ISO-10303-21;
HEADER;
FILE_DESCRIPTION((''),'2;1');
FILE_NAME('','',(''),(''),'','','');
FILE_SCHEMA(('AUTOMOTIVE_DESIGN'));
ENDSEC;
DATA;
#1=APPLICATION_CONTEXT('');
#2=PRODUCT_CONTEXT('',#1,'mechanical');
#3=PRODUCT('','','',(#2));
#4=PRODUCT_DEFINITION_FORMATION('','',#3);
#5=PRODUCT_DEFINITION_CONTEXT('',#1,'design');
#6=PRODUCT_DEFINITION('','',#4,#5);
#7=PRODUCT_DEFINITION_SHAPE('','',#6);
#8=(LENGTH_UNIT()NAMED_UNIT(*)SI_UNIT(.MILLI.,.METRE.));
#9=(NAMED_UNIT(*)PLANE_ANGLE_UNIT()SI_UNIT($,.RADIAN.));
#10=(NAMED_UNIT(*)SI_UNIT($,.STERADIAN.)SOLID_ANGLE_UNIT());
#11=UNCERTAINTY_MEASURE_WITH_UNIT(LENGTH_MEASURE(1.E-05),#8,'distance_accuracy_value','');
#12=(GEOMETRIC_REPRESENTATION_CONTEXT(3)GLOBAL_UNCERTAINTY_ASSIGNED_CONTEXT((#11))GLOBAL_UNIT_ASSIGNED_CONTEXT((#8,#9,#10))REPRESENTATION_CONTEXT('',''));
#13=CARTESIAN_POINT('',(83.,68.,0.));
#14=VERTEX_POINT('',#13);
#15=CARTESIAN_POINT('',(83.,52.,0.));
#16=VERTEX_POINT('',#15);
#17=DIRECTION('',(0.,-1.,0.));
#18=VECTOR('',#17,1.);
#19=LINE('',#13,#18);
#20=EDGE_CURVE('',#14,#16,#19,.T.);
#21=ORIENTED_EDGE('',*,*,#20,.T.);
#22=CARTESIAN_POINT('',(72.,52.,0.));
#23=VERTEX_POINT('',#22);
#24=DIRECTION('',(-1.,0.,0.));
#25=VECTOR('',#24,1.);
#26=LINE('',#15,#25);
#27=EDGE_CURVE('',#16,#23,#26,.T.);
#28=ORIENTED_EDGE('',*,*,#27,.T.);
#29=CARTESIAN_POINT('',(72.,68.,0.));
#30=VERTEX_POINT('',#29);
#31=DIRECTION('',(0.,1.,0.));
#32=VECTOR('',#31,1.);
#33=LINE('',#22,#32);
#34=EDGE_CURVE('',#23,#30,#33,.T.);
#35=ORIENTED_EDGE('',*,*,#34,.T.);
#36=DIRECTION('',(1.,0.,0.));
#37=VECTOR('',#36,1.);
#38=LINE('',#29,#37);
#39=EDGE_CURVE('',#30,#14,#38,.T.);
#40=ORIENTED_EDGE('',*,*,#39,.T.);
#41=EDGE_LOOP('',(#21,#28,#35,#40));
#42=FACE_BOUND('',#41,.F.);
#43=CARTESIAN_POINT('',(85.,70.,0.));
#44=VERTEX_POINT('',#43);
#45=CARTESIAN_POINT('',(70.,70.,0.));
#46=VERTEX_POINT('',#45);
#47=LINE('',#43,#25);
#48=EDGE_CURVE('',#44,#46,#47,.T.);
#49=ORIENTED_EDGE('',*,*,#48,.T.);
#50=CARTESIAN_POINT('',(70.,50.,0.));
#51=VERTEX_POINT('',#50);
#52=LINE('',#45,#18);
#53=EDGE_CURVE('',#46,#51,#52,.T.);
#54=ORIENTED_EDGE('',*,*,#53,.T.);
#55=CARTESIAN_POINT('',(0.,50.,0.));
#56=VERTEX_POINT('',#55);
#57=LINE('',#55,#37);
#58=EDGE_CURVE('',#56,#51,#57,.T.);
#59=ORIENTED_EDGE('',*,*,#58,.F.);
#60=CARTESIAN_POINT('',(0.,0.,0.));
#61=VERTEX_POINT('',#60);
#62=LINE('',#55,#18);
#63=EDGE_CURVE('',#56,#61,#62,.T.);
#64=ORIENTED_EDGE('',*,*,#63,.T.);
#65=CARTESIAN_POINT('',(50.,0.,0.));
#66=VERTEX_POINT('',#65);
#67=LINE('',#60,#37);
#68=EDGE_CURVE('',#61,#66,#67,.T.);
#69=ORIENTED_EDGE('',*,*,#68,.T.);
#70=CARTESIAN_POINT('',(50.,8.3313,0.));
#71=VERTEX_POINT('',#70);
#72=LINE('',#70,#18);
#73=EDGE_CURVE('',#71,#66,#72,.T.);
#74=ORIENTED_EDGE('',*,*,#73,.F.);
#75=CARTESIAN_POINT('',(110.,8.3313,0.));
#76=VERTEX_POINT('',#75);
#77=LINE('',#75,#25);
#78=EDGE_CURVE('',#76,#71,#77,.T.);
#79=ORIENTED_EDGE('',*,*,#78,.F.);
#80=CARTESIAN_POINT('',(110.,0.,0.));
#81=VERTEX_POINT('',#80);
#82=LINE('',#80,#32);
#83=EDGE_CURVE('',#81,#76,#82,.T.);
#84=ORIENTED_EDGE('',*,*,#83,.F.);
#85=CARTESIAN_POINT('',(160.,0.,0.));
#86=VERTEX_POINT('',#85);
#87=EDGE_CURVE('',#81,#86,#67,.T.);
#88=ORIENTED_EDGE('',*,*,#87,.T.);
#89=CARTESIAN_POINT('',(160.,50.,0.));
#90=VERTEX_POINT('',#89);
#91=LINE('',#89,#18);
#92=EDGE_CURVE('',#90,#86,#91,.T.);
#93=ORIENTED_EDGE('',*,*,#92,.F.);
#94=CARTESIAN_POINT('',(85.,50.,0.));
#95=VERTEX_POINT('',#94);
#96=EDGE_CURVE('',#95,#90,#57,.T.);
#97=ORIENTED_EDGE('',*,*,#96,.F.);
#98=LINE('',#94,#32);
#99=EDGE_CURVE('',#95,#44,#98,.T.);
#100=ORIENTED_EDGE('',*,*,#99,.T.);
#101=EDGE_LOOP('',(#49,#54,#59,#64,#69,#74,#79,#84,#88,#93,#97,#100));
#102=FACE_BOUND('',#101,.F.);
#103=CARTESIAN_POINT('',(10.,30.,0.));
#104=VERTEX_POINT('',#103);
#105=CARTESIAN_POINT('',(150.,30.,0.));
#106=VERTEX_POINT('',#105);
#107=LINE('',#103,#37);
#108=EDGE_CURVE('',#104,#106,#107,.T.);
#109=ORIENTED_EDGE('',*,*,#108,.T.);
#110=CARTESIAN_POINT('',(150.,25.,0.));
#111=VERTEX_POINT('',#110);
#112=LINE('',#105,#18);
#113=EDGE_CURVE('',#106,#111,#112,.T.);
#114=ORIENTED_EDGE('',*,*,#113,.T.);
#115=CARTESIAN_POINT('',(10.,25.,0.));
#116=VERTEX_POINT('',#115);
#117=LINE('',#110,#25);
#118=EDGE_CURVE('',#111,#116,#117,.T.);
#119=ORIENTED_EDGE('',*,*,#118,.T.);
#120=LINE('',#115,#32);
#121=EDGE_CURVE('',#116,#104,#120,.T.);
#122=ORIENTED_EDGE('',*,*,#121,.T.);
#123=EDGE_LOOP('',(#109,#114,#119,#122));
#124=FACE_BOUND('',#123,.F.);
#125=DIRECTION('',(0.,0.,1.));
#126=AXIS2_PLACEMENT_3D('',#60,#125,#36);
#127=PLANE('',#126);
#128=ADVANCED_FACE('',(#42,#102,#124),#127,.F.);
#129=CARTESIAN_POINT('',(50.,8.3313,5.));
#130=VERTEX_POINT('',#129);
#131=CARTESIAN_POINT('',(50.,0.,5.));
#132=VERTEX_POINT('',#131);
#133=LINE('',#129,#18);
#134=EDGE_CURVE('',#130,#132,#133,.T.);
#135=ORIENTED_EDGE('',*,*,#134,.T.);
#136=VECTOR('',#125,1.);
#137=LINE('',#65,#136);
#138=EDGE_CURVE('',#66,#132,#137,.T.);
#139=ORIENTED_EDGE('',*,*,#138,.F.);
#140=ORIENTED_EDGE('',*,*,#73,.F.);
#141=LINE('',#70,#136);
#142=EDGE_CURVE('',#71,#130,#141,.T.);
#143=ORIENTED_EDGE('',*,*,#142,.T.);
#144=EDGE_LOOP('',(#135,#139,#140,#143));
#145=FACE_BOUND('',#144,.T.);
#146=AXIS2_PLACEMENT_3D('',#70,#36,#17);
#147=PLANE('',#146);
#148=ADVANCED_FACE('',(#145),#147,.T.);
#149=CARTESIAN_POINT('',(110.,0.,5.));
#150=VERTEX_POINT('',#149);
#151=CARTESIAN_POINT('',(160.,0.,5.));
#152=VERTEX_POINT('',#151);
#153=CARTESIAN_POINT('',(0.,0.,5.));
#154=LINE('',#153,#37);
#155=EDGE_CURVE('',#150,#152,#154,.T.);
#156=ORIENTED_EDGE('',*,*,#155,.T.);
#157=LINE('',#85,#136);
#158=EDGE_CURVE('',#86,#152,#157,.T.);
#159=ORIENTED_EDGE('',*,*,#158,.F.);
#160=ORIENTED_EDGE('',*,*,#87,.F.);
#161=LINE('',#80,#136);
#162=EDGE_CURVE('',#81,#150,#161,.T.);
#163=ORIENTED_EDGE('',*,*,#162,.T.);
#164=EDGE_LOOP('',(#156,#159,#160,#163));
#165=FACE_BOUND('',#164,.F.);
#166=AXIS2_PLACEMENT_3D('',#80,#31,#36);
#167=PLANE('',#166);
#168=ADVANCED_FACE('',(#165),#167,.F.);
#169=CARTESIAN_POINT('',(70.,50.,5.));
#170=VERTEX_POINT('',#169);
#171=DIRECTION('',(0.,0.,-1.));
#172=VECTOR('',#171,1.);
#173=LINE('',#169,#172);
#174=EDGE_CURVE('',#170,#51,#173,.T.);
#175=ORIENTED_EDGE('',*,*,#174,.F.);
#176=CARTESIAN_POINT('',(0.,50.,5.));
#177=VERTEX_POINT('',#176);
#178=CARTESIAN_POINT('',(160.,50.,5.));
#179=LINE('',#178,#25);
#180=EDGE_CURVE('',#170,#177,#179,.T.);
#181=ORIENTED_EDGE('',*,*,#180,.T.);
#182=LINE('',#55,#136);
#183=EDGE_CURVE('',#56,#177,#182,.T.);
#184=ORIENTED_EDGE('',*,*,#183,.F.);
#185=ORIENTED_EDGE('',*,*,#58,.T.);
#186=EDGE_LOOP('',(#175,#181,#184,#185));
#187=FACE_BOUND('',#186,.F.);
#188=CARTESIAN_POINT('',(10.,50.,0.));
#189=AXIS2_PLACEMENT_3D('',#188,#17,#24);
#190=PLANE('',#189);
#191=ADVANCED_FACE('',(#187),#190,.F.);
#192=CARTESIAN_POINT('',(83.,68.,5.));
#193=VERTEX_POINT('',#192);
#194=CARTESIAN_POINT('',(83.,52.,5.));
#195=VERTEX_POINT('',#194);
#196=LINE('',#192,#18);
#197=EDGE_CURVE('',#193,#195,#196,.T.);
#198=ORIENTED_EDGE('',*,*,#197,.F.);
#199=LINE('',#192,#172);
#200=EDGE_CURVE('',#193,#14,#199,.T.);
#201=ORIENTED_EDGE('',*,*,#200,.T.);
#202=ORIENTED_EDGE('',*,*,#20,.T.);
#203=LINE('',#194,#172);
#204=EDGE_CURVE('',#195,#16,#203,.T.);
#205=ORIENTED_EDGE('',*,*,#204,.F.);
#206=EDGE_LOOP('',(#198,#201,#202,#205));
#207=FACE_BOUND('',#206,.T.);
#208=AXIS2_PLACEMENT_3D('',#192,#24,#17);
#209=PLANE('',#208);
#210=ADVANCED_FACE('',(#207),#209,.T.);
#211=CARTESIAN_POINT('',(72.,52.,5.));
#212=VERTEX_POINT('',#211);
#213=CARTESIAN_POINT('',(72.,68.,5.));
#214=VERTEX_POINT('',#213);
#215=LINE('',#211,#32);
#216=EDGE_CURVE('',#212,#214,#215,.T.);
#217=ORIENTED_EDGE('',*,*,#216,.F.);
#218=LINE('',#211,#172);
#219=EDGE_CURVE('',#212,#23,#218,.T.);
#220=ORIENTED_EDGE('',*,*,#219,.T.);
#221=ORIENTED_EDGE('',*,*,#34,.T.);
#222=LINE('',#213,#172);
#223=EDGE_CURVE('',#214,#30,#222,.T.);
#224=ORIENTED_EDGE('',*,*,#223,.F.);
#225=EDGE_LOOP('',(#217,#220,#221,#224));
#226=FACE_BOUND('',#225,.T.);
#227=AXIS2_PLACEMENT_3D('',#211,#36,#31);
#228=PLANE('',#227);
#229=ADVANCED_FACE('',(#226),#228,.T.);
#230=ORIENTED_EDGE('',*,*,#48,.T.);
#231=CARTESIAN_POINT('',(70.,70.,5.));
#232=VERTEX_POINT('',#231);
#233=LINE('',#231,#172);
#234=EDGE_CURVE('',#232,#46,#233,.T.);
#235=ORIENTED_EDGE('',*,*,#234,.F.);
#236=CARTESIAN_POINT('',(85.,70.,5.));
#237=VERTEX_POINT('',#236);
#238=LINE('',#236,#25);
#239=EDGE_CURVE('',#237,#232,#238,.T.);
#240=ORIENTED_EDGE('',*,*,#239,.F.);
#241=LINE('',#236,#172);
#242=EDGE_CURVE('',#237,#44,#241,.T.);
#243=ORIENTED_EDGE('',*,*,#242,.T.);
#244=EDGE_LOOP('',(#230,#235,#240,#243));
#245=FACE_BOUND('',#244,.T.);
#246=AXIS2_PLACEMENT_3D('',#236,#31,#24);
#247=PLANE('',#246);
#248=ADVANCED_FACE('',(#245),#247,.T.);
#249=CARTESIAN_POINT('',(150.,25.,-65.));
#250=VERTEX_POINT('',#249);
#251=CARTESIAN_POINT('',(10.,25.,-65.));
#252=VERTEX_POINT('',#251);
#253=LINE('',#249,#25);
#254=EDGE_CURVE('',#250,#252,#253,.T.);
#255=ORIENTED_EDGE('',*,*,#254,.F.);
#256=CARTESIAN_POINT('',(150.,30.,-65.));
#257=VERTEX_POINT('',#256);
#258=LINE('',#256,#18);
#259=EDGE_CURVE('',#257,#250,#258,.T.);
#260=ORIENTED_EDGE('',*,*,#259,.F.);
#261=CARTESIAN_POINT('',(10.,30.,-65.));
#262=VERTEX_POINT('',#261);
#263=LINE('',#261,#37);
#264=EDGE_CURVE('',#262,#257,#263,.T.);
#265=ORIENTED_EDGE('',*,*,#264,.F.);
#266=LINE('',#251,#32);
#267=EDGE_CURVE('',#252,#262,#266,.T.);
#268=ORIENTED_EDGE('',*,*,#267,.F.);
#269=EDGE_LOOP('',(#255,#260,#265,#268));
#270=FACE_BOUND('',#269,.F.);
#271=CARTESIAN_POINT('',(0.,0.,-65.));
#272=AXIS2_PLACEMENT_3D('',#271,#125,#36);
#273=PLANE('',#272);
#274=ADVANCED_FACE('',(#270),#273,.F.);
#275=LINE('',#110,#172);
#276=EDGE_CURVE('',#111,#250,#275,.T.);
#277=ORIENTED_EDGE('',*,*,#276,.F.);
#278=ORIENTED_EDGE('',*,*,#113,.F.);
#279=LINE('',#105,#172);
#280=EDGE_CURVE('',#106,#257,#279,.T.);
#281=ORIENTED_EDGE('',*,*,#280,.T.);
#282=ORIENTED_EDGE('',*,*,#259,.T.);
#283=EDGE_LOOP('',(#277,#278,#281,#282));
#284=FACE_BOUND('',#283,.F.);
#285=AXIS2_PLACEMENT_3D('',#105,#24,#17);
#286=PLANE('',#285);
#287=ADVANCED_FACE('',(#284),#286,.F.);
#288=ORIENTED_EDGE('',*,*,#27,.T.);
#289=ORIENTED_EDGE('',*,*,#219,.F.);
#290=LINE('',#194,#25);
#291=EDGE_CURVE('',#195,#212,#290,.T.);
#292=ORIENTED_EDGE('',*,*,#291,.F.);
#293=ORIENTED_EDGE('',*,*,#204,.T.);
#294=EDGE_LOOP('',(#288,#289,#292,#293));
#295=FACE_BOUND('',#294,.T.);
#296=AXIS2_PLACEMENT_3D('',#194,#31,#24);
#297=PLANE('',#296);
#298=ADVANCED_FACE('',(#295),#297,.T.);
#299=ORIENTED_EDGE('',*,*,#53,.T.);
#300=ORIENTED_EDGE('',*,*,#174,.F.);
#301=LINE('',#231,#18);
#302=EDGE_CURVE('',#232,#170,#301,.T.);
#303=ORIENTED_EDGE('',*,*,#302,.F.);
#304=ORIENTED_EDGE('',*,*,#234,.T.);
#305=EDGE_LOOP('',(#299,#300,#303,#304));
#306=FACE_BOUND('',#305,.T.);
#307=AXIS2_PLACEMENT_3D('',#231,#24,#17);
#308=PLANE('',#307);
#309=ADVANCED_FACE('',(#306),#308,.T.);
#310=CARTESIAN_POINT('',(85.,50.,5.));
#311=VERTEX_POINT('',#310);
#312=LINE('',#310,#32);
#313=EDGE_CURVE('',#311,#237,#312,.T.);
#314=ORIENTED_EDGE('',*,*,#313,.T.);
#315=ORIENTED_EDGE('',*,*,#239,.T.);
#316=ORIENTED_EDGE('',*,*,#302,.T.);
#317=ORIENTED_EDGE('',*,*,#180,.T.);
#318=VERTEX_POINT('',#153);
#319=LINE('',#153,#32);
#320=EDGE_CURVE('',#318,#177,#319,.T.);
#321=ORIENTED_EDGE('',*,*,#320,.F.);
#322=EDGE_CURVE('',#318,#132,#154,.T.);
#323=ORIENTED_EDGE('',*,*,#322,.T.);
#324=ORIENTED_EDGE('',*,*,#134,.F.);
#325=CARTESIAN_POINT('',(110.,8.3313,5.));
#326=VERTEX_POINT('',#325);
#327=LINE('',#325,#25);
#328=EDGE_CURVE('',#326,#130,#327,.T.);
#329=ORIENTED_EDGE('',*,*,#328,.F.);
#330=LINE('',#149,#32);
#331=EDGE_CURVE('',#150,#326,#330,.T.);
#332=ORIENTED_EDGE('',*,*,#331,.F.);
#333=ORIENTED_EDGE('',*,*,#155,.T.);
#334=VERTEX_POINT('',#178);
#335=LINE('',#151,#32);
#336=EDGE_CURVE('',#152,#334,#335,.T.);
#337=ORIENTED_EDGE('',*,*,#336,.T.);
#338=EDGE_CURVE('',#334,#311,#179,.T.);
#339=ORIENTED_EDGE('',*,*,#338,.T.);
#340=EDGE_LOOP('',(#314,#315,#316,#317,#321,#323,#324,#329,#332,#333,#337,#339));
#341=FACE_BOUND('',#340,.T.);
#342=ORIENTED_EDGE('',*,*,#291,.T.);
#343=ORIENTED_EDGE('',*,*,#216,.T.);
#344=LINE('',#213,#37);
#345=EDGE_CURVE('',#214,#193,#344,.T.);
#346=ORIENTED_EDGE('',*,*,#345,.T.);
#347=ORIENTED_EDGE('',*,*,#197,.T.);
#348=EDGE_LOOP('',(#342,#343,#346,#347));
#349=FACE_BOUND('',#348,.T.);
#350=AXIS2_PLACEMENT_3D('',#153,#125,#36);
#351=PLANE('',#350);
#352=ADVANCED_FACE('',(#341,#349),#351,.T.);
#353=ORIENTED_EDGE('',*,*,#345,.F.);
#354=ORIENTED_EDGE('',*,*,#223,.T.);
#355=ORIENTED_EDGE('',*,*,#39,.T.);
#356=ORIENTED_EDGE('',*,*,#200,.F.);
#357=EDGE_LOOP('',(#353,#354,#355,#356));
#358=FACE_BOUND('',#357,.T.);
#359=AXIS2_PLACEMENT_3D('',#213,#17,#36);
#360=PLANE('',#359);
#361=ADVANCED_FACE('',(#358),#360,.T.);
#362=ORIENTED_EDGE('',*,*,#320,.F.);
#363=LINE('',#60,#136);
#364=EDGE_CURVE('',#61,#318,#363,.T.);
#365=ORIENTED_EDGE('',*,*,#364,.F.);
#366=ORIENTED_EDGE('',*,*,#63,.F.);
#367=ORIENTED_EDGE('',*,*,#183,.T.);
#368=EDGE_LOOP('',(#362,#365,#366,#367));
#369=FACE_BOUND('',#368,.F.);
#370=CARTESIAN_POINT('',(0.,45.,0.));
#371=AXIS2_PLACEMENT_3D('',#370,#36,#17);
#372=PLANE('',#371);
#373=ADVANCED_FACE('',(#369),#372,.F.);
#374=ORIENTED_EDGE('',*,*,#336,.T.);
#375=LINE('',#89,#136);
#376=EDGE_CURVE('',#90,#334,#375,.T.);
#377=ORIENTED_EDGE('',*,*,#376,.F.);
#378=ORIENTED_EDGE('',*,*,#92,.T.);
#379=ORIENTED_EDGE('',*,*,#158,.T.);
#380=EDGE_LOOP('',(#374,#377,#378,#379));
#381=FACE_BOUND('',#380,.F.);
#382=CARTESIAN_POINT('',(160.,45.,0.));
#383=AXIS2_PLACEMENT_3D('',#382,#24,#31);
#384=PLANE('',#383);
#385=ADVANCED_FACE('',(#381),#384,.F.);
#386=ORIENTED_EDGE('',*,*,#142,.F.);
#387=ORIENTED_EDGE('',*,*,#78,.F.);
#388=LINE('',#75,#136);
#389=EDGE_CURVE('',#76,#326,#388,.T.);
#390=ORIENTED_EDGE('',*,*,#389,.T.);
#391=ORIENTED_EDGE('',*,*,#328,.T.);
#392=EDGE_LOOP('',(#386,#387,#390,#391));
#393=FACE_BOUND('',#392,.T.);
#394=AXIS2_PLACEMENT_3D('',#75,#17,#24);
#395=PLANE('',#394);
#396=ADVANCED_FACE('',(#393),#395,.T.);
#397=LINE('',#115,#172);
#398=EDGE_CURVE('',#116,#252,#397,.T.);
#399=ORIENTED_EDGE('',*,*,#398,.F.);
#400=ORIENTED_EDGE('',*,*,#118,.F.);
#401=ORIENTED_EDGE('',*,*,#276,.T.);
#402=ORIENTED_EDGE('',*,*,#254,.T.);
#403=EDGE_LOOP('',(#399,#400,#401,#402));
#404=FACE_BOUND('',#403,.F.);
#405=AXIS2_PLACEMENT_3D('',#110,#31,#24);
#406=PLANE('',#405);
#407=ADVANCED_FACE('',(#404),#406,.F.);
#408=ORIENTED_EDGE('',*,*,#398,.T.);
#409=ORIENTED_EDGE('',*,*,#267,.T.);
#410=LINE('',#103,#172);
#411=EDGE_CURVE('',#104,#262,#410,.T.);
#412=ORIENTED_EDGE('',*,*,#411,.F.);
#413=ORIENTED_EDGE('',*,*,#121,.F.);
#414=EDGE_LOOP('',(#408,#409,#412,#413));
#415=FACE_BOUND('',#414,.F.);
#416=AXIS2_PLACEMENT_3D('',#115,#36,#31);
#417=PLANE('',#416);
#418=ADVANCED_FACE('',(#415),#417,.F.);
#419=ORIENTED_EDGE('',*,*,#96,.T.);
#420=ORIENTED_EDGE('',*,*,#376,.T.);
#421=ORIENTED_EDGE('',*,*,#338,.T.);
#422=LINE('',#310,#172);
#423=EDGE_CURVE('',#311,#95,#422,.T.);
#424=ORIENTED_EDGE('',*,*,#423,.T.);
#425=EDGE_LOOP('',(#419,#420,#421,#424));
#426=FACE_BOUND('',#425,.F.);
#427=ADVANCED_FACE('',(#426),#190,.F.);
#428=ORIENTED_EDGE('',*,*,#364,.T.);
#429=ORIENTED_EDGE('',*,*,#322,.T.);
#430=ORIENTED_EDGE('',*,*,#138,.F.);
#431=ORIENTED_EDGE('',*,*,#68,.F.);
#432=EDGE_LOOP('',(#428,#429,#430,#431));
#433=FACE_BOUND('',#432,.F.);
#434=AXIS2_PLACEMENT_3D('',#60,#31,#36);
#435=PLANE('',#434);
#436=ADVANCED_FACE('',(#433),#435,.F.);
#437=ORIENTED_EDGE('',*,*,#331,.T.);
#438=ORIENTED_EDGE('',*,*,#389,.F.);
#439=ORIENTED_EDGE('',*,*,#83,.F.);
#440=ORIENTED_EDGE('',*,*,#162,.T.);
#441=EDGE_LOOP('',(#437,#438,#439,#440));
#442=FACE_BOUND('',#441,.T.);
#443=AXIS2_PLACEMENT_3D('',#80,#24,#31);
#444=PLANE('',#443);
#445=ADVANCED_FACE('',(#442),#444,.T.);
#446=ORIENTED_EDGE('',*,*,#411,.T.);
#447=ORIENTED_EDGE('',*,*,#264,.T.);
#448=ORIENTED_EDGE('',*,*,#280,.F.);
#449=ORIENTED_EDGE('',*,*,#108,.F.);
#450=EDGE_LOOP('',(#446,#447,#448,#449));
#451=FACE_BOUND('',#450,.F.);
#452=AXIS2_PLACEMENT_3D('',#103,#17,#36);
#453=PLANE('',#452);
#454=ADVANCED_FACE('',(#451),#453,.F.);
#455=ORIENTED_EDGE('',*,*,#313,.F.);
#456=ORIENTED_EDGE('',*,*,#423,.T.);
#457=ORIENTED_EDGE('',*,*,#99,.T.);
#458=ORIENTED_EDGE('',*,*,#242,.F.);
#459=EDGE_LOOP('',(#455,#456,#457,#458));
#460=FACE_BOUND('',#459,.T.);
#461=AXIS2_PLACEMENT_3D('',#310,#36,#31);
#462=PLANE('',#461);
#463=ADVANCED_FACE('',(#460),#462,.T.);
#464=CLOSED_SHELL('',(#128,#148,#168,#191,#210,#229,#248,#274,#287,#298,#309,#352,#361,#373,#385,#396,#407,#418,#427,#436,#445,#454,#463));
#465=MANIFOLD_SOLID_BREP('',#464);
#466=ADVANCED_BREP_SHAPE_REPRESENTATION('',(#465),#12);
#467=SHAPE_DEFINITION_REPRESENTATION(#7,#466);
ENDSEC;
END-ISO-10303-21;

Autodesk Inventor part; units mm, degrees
ref_plane "YZ Plane" through (0, 0, 0) normal (1, 0, 0) x (0, 1, 0)
ref_plane "XZ Plane" through (0, 0, 0) normal (0, 1, 0) x (-1, 0, 0)
ref_plane "XY Plane" through (0, 0, 0) normal (0, 0, 1) x (1, 0, 0)
sketch "Sketch1" plane through (0, 0, 0) normal (0, 0, 1) x (1, 0, 0)
  line L0 (0, 0) -> (160, 0)
  line L1 (160, 0) -> (160, 50)
  line L2 (160, 50) -> (0, 50)
  line L3 (0, 50) -> (0, 0)
  line L4 (50, 0) -> (110, 0)
  line L5 (110, 0) -> (110, 8.3313)
  line L6 (110, 8.3313) -> (50, 8.3313)
  line L7 (50, 8.3313) -> (50, 0)
  line L8 (0, 50) -> (160, 50)
  line L9 (160, 50) -> (160, 45)
  line L10 (0, 45) -> (0, 50)
  line L11 (150, 50) -> (10, 50)
  line L12 (10, 30) -> (150, 30)
  line L13 (150, 30) -> (150, 25)
  line L14 (150, 25) -> (10, 25)
  line L15 (10, 25) -> (10, 30)
  dimension "d0" = 160
  dimension "d1" = 50
  dimension "d2" = 60
  dimension "d3" = 50
  dimension "d11" = 140
  dimension "d12" = 10
  dimension "d13" = 20
  dimension "d14" = 5
extrude "Extrusion1" add sketch "Sketch1" along normal blind 5 contours L3 L2 L1 L0 L5 L6 L7 | L12 L13 L14 L15
extrude "Extrusion2" add sketch "Sketch1" against normal blind 65 contours L12 L13 L14 L15
sketch "Sketch2" plane through (0, 0, 5) normal (0, 0, 1) x (1, 0, 0)
  line L0 (160, 50) -> (0, 50) projected
  line L1 (70, 50) -> (85, 50)
  line L2 (85, 50) -> (85, 70)
  line L3 (85, 70) -> (70, 70)
  line L4 (70, 70) -> (70, 50)
  line L5 (72, 68) -> (83, 68)
  line L6 (83, 68) -> (83, 52)
  line L7 (83, 52) -> (72, 52)
  line L8 (72, 52) -> (72, 68)
  point P0 (0, 0)
  dimension "d15" = 15
  dimension "d16" = 20
  dimension "d17" = 2
extrude "Extrusion3" add sketch "Sketch2" against normal blind 5
sketch "Sketch3" plane through (0, 0, 5) normal (0, 0, 1) x (1, 0, 0)
  point P0 (0, 0)
properties part number "COVER_1" material "ABS Plastic"
